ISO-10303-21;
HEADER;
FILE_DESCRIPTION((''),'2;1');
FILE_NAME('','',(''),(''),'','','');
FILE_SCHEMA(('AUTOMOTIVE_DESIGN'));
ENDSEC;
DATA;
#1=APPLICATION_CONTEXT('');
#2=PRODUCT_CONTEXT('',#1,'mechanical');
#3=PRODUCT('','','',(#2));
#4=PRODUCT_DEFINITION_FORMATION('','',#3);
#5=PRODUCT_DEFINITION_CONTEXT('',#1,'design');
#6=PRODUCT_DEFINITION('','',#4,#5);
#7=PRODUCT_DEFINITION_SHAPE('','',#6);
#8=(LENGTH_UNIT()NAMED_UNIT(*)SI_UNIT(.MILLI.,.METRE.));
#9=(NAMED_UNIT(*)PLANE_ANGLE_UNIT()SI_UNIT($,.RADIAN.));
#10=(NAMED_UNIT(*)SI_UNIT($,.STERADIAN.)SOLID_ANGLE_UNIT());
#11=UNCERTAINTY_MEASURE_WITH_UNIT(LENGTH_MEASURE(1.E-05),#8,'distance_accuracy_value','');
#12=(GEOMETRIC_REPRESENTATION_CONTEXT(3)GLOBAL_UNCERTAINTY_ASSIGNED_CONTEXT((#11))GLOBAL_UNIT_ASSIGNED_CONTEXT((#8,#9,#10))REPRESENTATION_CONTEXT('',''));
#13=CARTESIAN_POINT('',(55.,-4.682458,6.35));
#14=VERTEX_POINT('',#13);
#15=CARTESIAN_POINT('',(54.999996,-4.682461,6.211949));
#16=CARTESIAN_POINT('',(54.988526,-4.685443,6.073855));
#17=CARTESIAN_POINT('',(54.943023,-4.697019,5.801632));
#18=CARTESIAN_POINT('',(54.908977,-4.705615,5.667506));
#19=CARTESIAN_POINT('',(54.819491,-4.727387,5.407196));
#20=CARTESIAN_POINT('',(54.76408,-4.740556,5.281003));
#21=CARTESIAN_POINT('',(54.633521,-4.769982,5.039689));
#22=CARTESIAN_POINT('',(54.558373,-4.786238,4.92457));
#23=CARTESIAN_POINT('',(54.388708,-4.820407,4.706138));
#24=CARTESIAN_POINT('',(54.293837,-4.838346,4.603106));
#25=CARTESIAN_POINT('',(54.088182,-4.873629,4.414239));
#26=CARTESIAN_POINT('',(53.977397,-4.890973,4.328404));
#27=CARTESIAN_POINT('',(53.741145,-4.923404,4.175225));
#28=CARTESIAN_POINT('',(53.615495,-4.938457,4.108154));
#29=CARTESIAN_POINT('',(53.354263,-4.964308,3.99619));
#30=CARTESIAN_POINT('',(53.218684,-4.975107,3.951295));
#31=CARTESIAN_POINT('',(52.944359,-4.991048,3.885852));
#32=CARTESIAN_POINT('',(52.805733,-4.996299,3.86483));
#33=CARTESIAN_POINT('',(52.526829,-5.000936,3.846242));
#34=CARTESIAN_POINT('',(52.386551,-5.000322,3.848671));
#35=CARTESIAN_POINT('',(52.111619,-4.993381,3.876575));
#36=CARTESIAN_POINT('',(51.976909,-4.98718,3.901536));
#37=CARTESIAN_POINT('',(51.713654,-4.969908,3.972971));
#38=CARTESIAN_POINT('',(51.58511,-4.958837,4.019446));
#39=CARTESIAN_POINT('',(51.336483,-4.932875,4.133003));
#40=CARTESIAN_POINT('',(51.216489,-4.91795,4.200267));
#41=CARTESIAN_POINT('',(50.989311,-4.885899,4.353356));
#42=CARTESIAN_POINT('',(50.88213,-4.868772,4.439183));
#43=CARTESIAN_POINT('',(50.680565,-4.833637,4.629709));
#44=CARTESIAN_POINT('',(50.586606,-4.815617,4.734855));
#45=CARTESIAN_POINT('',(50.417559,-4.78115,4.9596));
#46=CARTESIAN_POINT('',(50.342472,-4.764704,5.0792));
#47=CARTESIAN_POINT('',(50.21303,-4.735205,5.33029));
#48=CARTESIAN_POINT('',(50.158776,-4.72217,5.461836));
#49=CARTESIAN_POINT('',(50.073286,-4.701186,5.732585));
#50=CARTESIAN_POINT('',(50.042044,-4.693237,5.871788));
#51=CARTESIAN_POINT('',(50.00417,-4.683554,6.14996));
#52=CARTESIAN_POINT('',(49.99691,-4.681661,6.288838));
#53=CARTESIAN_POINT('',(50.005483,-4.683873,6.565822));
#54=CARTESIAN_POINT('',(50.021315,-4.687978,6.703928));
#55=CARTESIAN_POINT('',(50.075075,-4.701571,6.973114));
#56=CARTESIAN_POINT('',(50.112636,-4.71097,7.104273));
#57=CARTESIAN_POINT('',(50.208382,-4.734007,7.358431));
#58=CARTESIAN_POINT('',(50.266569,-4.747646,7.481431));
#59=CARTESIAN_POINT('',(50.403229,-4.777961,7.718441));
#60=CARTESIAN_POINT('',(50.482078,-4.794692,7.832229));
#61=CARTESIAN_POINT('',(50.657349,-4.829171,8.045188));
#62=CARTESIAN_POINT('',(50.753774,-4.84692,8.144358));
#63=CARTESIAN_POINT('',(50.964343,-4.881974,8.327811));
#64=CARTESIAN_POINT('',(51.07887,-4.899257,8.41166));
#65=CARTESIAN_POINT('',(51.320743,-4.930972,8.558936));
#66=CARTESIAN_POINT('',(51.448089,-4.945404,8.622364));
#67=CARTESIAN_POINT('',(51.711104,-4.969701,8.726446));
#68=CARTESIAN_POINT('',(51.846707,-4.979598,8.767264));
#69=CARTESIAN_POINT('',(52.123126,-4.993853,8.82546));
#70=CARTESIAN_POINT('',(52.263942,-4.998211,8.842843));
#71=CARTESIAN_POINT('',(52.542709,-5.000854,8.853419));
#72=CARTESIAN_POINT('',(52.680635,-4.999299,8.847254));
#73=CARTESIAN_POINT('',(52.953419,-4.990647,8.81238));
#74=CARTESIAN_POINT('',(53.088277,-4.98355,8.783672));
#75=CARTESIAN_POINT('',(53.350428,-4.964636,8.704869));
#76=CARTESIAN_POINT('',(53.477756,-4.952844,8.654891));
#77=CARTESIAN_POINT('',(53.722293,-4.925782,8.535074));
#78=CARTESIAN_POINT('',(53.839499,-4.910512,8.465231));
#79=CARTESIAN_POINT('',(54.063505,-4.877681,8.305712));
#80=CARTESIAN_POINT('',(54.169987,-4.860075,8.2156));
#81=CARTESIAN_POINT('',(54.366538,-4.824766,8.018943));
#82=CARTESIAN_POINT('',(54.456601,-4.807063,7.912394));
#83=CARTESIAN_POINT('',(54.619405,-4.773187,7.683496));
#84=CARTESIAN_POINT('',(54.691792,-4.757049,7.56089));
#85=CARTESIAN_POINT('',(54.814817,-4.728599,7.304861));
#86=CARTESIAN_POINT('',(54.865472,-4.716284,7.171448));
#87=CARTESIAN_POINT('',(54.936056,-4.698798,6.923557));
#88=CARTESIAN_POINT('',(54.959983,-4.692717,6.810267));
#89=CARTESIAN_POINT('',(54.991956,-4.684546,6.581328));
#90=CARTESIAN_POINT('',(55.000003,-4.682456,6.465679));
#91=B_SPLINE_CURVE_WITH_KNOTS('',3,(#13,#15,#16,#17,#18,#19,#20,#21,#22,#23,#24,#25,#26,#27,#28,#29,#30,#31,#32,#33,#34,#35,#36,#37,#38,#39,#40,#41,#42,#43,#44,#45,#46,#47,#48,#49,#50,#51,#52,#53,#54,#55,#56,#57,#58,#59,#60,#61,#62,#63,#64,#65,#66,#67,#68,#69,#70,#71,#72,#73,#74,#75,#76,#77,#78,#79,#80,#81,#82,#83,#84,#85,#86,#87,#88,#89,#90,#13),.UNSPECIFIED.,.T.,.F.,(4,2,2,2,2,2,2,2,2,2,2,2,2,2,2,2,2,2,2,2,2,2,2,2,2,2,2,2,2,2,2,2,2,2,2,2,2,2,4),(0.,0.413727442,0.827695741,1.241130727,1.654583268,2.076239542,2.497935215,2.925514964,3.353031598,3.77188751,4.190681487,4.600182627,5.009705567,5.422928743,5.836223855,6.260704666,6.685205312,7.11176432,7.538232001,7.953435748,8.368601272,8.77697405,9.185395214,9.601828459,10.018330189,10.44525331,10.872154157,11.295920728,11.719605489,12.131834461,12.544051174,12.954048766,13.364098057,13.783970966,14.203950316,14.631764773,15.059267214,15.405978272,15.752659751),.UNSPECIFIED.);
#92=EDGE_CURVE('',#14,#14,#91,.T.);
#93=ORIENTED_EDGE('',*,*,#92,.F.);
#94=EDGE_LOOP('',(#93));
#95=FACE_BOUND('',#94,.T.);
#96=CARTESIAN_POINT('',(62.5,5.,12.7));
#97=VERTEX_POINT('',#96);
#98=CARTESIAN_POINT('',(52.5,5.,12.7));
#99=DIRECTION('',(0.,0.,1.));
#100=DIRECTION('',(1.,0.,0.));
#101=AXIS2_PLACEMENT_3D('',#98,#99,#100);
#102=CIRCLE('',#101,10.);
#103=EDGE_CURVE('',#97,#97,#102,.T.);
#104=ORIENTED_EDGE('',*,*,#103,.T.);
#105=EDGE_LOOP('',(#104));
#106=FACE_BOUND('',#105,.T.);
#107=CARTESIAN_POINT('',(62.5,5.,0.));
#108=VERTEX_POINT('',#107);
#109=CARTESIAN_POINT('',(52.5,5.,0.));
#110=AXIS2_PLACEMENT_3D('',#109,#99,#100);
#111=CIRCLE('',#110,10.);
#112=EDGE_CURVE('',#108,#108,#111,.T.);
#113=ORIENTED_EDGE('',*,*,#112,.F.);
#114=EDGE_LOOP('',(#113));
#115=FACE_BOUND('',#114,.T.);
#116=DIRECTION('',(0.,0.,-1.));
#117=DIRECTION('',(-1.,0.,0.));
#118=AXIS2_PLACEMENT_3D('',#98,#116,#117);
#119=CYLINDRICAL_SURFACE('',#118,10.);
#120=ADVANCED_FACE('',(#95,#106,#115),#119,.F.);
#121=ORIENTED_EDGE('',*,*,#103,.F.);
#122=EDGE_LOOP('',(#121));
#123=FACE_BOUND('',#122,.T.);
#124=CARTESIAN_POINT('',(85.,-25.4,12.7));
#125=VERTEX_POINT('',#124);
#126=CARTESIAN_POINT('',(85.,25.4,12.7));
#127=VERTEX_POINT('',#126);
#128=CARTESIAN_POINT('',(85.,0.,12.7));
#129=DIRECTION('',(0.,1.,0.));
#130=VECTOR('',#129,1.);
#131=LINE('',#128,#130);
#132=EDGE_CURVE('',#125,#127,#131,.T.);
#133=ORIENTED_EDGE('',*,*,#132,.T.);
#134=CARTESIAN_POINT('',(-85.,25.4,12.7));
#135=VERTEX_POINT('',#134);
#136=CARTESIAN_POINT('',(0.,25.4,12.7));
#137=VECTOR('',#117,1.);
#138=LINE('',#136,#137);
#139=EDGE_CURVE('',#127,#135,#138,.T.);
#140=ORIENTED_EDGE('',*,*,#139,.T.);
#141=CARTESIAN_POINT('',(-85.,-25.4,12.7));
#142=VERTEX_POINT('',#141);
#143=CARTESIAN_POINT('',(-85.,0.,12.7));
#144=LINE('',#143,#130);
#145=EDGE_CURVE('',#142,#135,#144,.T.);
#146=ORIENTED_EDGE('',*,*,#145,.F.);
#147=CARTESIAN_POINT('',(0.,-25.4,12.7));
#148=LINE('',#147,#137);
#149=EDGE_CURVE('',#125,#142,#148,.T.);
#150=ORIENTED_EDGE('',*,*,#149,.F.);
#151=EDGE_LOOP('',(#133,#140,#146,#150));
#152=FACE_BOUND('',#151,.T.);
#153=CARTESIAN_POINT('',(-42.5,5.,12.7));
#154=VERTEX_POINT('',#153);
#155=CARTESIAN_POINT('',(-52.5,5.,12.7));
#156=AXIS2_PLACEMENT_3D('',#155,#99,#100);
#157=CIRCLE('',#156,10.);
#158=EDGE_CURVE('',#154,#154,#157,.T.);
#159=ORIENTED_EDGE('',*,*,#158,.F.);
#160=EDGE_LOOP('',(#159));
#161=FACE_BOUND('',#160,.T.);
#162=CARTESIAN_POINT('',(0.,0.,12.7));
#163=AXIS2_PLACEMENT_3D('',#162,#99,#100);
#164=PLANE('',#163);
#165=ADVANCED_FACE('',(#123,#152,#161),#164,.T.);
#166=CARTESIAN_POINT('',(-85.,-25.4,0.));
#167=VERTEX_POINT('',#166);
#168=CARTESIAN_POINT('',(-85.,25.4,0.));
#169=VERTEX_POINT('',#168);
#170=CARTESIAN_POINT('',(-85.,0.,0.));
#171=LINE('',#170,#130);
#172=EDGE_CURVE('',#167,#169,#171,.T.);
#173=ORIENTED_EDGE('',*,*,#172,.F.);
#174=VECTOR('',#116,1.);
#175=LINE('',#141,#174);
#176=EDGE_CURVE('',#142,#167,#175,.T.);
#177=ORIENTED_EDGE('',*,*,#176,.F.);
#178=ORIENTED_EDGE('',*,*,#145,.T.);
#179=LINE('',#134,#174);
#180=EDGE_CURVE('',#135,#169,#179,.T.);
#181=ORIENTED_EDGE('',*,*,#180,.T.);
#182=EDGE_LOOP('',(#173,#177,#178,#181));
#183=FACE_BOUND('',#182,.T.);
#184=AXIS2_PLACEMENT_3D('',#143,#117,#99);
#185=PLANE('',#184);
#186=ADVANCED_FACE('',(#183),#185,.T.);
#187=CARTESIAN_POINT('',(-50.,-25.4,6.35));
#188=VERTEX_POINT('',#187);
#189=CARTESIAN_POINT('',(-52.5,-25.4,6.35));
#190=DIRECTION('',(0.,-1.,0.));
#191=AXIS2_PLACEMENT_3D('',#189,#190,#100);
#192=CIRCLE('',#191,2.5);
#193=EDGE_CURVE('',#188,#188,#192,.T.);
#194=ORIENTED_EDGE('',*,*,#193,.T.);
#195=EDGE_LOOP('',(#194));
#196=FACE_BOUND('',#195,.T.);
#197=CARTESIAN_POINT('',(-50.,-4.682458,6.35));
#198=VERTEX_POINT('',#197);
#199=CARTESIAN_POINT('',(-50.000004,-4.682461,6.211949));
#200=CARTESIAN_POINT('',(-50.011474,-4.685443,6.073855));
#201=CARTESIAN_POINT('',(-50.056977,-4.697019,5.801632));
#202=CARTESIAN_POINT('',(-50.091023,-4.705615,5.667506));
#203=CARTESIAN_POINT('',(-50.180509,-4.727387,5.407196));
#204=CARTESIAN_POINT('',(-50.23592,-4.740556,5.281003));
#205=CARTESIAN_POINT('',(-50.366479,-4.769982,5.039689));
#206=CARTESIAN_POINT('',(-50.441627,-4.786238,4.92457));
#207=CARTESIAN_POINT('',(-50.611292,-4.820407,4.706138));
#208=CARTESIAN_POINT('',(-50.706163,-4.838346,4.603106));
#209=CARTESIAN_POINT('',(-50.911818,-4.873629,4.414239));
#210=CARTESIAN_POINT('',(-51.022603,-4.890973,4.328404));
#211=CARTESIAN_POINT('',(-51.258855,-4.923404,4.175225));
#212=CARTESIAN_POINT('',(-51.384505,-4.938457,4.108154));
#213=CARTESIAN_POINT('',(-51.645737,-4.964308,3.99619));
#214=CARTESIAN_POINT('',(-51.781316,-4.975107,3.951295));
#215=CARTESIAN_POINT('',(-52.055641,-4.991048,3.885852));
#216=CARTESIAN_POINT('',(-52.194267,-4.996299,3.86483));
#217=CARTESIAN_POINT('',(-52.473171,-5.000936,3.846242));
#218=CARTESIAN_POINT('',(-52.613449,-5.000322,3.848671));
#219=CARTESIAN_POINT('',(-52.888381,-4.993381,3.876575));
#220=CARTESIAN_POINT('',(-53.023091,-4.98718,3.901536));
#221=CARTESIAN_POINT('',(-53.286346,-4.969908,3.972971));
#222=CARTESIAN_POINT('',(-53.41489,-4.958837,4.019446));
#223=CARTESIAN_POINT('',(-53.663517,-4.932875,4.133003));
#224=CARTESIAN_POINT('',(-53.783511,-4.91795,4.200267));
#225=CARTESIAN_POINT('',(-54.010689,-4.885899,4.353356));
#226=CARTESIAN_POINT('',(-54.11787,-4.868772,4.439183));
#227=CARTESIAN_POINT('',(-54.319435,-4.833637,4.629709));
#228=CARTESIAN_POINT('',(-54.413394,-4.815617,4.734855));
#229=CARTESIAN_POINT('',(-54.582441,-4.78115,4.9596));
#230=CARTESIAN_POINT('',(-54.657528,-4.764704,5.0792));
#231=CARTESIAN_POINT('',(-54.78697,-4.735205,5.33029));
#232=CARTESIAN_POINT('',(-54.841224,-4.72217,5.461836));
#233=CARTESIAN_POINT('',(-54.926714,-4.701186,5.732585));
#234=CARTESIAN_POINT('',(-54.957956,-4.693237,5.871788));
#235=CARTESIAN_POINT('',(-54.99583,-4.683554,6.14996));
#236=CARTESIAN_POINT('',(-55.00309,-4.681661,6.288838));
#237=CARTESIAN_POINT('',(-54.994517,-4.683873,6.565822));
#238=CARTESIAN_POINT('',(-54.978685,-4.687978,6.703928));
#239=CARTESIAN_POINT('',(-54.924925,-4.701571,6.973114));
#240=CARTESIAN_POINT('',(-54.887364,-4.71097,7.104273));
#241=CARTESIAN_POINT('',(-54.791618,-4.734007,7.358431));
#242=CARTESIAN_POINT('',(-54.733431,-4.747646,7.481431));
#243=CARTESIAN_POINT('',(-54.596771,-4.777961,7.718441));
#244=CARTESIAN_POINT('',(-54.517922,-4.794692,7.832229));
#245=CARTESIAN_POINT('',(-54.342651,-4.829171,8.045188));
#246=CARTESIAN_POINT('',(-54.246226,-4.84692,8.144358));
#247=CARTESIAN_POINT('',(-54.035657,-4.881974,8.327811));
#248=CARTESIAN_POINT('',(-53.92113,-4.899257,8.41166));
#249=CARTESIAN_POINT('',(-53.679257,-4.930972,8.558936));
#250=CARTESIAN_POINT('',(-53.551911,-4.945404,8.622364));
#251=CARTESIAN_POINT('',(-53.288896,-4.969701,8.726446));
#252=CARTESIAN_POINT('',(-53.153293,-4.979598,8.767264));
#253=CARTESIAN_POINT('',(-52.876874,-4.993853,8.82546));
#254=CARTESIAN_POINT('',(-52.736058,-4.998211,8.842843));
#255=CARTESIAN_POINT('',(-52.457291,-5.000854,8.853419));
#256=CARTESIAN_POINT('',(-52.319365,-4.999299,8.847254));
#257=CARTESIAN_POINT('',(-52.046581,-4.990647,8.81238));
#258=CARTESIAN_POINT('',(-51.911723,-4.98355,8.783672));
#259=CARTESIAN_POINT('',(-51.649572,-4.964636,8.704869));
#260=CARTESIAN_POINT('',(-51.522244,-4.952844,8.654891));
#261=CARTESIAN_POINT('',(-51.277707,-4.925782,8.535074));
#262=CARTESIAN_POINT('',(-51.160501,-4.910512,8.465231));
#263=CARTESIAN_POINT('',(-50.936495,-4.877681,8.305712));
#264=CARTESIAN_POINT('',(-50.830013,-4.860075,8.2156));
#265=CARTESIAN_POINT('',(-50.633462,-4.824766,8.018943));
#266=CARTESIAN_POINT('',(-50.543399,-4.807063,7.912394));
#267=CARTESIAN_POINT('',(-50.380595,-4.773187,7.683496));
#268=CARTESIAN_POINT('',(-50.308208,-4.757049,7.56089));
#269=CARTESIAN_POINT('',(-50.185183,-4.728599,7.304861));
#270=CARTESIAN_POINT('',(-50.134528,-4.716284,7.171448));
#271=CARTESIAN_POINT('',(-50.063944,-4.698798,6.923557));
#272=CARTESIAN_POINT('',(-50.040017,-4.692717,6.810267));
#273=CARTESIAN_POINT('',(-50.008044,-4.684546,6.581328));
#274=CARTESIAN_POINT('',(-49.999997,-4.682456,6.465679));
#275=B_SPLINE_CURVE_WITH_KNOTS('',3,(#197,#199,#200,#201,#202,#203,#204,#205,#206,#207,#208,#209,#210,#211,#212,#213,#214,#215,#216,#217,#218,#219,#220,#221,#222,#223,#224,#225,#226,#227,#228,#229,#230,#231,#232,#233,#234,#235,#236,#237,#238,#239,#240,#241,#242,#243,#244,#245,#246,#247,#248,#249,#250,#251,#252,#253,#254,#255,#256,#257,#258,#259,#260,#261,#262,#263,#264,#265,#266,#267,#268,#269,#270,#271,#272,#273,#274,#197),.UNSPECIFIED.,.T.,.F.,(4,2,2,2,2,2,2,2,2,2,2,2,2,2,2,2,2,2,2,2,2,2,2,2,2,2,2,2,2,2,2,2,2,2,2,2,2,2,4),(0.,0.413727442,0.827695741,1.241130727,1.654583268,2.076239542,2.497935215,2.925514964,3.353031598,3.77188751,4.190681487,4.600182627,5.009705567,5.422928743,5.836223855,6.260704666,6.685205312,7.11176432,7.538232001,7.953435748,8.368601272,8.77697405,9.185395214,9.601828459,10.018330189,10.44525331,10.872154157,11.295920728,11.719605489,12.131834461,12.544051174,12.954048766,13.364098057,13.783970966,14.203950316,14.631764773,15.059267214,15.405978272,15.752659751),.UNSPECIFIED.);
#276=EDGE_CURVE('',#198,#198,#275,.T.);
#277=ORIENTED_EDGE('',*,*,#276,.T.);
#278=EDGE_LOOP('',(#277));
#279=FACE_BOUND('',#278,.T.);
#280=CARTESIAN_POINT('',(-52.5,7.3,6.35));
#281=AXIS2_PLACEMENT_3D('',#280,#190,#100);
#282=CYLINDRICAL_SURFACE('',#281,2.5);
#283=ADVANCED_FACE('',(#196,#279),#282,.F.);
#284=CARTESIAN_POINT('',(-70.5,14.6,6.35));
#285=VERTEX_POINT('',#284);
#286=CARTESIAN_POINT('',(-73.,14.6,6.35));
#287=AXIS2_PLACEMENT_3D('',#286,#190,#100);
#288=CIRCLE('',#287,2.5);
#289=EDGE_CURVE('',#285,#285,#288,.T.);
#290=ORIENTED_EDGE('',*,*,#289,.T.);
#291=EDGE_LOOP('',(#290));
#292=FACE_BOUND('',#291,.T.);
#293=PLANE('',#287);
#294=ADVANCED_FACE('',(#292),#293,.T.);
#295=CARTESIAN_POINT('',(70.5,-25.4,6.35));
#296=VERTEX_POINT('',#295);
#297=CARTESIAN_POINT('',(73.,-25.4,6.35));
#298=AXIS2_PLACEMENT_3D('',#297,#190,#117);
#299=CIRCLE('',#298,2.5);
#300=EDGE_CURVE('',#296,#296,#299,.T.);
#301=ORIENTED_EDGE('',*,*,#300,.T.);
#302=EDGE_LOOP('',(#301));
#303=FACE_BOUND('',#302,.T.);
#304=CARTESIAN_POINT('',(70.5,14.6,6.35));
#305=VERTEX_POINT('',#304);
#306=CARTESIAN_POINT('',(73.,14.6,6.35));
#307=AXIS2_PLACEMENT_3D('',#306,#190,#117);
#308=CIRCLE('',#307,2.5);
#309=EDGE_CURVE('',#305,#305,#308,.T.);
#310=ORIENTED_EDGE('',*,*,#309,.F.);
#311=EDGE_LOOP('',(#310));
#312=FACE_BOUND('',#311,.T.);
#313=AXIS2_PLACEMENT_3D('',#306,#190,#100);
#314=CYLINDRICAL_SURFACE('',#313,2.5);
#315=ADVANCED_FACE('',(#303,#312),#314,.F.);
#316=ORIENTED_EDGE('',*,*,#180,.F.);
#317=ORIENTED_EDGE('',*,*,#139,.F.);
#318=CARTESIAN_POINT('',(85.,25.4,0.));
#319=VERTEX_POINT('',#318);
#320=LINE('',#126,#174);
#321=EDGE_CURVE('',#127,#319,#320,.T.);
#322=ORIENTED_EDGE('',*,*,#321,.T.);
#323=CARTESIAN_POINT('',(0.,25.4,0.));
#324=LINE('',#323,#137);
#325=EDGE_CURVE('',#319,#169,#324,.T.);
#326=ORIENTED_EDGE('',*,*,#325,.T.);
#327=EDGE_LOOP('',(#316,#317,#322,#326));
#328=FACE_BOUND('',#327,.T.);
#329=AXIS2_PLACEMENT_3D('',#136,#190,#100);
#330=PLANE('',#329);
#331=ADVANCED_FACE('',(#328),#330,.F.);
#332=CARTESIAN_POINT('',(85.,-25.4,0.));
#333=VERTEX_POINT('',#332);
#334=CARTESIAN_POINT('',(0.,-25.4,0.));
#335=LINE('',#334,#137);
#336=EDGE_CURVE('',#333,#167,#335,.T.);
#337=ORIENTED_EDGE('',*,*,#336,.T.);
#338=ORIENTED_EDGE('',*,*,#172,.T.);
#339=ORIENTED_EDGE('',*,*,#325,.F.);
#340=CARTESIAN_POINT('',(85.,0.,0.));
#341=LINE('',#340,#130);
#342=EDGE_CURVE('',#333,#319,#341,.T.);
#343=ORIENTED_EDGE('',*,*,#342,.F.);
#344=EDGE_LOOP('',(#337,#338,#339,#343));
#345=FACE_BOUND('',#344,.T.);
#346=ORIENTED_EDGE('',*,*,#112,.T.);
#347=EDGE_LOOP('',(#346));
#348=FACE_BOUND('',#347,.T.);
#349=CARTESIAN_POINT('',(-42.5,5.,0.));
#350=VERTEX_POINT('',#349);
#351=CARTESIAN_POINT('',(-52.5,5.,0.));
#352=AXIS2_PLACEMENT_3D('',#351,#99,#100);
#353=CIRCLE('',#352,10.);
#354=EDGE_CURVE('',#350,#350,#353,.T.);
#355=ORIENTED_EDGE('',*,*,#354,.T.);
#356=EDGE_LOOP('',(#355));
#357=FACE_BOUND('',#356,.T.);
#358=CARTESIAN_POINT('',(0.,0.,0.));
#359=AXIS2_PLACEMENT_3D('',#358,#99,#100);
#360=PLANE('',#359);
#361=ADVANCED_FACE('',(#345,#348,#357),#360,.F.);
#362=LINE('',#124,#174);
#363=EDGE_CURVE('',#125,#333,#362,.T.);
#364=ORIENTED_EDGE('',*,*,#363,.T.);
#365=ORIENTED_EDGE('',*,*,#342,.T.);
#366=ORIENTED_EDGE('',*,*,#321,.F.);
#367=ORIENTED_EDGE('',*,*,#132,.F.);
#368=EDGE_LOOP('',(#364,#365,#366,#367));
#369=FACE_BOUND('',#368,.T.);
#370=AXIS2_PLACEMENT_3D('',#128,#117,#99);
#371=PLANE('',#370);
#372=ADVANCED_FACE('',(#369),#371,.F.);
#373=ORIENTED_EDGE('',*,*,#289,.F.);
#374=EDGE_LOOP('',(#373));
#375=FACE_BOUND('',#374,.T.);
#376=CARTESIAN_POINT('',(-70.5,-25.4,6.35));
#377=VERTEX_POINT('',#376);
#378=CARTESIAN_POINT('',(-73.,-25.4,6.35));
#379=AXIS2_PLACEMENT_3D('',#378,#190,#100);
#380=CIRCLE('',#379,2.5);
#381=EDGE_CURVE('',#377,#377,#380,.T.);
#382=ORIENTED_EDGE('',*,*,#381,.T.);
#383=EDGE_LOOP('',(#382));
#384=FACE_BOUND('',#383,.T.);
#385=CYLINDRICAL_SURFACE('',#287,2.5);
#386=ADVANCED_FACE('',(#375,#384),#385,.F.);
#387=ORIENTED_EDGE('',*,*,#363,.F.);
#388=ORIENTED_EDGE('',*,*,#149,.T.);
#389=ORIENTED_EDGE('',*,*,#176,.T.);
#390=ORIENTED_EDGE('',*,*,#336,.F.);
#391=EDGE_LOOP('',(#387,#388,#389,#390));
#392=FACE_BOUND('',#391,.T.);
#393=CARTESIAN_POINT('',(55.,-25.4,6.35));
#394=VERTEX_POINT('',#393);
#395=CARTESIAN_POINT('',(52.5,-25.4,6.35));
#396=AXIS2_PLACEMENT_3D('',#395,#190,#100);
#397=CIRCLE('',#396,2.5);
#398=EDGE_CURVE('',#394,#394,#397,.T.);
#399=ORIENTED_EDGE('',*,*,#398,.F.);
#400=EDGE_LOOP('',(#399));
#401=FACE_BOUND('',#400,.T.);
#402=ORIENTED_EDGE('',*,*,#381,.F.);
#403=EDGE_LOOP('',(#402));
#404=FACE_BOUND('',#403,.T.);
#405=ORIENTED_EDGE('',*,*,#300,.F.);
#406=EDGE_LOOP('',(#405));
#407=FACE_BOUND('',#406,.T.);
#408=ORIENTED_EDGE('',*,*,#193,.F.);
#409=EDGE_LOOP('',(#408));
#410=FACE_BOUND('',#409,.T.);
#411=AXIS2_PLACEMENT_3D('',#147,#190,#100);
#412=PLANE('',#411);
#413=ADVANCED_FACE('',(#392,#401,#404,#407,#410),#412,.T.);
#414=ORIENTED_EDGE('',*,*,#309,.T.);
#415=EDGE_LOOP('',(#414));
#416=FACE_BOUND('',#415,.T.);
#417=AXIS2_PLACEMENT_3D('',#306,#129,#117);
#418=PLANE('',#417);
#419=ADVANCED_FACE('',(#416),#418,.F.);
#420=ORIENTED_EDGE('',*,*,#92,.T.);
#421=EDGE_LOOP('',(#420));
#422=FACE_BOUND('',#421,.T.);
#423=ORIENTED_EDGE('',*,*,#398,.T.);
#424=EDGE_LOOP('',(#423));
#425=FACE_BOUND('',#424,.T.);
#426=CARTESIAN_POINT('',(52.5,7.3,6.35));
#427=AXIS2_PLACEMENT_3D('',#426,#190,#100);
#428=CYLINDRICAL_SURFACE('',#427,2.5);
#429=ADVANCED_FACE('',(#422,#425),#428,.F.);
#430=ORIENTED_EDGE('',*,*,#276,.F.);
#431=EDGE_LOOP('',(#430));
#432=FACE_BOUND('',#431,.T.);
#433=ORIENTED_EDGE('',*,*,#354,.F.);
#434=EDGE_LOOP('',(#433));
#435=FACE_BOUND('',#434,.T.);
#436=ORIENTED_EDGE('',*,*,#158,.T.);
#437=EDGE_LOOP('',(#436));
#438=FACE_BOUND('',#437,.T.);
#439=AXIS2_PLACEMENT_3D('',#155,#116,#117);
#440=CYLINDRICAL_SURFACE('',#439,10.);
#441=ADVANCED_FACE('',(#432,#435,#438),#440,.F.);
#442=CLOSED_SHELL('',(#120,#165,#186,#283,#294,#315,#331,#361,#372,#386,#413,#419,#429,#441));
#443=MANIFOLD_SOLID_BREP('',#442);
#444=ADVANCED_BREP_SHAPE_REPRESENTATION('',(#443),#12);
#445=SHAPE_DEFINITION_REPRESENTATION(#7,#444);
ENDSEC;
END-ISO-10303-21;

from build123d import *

# Parameters (mm, degrees)
CROQUIS1_W              = 170
CROQUIS1_H              = 50.8
CROQUIS1_R              = 10
SALIENTE_EXTRUIR1_DEPTH = 12.7
CROQUIS2_R              = 2.5
CORTAR_EXTRUIR1_DEPTH   = 32.7
CROQUIS3_R              = 2.5
CORTAR_EXTRUIR2_DEPTH   = 40


with BuildPart() as part:
    # Croquis1 → Saliente-Extruir1 (new body)
    with BuildSketch(Plane.XY):
        Rectangle(CROQUIS1_W, CROQUIS1_H)
        with Locations((52.5, 5)):
            Circle(CROQUIS1_R, mode=Mode.SUBTRACT)
        with Locations((-52.5, 5)):
            Circle(CROQUIS1_R, mode=Mode.SUBTRACT)
    extrude(amount=SALIENTE_EXTRUIR1_DEPTH)

    # Croquis2 → Cortar-Extruir1 (cut)
    with BuildSketch(Plane.XZ.offset(25.4)):
        with Locations((-52.5, 6.35)):
            Circle(CROQUIS2_R)
        with Locations((52.5, 6.35)):
            Circle(CROQUIS2_R)
    extrude(amount=-CORTAR_EXTRUIR1_DEPTH, mode=Mode.SUBTRACT)

    # Croquis3 → Cortar-Extruir2 (cut)
    with BuildSketch(Plane.XZ.offset(25.4)):
        with Locations((-73, 6.35)):
            Circle(CROQUIS3_R)
        with Locations(Location((73, 6.35, 0), (0, 0, 180))):
            Circle(CROQUIS3_R)
    extrude(amount=-CORTAR_EXTRUIR2_DEPTH, mode=Mode.SUBTRACT)


solid = part.part
